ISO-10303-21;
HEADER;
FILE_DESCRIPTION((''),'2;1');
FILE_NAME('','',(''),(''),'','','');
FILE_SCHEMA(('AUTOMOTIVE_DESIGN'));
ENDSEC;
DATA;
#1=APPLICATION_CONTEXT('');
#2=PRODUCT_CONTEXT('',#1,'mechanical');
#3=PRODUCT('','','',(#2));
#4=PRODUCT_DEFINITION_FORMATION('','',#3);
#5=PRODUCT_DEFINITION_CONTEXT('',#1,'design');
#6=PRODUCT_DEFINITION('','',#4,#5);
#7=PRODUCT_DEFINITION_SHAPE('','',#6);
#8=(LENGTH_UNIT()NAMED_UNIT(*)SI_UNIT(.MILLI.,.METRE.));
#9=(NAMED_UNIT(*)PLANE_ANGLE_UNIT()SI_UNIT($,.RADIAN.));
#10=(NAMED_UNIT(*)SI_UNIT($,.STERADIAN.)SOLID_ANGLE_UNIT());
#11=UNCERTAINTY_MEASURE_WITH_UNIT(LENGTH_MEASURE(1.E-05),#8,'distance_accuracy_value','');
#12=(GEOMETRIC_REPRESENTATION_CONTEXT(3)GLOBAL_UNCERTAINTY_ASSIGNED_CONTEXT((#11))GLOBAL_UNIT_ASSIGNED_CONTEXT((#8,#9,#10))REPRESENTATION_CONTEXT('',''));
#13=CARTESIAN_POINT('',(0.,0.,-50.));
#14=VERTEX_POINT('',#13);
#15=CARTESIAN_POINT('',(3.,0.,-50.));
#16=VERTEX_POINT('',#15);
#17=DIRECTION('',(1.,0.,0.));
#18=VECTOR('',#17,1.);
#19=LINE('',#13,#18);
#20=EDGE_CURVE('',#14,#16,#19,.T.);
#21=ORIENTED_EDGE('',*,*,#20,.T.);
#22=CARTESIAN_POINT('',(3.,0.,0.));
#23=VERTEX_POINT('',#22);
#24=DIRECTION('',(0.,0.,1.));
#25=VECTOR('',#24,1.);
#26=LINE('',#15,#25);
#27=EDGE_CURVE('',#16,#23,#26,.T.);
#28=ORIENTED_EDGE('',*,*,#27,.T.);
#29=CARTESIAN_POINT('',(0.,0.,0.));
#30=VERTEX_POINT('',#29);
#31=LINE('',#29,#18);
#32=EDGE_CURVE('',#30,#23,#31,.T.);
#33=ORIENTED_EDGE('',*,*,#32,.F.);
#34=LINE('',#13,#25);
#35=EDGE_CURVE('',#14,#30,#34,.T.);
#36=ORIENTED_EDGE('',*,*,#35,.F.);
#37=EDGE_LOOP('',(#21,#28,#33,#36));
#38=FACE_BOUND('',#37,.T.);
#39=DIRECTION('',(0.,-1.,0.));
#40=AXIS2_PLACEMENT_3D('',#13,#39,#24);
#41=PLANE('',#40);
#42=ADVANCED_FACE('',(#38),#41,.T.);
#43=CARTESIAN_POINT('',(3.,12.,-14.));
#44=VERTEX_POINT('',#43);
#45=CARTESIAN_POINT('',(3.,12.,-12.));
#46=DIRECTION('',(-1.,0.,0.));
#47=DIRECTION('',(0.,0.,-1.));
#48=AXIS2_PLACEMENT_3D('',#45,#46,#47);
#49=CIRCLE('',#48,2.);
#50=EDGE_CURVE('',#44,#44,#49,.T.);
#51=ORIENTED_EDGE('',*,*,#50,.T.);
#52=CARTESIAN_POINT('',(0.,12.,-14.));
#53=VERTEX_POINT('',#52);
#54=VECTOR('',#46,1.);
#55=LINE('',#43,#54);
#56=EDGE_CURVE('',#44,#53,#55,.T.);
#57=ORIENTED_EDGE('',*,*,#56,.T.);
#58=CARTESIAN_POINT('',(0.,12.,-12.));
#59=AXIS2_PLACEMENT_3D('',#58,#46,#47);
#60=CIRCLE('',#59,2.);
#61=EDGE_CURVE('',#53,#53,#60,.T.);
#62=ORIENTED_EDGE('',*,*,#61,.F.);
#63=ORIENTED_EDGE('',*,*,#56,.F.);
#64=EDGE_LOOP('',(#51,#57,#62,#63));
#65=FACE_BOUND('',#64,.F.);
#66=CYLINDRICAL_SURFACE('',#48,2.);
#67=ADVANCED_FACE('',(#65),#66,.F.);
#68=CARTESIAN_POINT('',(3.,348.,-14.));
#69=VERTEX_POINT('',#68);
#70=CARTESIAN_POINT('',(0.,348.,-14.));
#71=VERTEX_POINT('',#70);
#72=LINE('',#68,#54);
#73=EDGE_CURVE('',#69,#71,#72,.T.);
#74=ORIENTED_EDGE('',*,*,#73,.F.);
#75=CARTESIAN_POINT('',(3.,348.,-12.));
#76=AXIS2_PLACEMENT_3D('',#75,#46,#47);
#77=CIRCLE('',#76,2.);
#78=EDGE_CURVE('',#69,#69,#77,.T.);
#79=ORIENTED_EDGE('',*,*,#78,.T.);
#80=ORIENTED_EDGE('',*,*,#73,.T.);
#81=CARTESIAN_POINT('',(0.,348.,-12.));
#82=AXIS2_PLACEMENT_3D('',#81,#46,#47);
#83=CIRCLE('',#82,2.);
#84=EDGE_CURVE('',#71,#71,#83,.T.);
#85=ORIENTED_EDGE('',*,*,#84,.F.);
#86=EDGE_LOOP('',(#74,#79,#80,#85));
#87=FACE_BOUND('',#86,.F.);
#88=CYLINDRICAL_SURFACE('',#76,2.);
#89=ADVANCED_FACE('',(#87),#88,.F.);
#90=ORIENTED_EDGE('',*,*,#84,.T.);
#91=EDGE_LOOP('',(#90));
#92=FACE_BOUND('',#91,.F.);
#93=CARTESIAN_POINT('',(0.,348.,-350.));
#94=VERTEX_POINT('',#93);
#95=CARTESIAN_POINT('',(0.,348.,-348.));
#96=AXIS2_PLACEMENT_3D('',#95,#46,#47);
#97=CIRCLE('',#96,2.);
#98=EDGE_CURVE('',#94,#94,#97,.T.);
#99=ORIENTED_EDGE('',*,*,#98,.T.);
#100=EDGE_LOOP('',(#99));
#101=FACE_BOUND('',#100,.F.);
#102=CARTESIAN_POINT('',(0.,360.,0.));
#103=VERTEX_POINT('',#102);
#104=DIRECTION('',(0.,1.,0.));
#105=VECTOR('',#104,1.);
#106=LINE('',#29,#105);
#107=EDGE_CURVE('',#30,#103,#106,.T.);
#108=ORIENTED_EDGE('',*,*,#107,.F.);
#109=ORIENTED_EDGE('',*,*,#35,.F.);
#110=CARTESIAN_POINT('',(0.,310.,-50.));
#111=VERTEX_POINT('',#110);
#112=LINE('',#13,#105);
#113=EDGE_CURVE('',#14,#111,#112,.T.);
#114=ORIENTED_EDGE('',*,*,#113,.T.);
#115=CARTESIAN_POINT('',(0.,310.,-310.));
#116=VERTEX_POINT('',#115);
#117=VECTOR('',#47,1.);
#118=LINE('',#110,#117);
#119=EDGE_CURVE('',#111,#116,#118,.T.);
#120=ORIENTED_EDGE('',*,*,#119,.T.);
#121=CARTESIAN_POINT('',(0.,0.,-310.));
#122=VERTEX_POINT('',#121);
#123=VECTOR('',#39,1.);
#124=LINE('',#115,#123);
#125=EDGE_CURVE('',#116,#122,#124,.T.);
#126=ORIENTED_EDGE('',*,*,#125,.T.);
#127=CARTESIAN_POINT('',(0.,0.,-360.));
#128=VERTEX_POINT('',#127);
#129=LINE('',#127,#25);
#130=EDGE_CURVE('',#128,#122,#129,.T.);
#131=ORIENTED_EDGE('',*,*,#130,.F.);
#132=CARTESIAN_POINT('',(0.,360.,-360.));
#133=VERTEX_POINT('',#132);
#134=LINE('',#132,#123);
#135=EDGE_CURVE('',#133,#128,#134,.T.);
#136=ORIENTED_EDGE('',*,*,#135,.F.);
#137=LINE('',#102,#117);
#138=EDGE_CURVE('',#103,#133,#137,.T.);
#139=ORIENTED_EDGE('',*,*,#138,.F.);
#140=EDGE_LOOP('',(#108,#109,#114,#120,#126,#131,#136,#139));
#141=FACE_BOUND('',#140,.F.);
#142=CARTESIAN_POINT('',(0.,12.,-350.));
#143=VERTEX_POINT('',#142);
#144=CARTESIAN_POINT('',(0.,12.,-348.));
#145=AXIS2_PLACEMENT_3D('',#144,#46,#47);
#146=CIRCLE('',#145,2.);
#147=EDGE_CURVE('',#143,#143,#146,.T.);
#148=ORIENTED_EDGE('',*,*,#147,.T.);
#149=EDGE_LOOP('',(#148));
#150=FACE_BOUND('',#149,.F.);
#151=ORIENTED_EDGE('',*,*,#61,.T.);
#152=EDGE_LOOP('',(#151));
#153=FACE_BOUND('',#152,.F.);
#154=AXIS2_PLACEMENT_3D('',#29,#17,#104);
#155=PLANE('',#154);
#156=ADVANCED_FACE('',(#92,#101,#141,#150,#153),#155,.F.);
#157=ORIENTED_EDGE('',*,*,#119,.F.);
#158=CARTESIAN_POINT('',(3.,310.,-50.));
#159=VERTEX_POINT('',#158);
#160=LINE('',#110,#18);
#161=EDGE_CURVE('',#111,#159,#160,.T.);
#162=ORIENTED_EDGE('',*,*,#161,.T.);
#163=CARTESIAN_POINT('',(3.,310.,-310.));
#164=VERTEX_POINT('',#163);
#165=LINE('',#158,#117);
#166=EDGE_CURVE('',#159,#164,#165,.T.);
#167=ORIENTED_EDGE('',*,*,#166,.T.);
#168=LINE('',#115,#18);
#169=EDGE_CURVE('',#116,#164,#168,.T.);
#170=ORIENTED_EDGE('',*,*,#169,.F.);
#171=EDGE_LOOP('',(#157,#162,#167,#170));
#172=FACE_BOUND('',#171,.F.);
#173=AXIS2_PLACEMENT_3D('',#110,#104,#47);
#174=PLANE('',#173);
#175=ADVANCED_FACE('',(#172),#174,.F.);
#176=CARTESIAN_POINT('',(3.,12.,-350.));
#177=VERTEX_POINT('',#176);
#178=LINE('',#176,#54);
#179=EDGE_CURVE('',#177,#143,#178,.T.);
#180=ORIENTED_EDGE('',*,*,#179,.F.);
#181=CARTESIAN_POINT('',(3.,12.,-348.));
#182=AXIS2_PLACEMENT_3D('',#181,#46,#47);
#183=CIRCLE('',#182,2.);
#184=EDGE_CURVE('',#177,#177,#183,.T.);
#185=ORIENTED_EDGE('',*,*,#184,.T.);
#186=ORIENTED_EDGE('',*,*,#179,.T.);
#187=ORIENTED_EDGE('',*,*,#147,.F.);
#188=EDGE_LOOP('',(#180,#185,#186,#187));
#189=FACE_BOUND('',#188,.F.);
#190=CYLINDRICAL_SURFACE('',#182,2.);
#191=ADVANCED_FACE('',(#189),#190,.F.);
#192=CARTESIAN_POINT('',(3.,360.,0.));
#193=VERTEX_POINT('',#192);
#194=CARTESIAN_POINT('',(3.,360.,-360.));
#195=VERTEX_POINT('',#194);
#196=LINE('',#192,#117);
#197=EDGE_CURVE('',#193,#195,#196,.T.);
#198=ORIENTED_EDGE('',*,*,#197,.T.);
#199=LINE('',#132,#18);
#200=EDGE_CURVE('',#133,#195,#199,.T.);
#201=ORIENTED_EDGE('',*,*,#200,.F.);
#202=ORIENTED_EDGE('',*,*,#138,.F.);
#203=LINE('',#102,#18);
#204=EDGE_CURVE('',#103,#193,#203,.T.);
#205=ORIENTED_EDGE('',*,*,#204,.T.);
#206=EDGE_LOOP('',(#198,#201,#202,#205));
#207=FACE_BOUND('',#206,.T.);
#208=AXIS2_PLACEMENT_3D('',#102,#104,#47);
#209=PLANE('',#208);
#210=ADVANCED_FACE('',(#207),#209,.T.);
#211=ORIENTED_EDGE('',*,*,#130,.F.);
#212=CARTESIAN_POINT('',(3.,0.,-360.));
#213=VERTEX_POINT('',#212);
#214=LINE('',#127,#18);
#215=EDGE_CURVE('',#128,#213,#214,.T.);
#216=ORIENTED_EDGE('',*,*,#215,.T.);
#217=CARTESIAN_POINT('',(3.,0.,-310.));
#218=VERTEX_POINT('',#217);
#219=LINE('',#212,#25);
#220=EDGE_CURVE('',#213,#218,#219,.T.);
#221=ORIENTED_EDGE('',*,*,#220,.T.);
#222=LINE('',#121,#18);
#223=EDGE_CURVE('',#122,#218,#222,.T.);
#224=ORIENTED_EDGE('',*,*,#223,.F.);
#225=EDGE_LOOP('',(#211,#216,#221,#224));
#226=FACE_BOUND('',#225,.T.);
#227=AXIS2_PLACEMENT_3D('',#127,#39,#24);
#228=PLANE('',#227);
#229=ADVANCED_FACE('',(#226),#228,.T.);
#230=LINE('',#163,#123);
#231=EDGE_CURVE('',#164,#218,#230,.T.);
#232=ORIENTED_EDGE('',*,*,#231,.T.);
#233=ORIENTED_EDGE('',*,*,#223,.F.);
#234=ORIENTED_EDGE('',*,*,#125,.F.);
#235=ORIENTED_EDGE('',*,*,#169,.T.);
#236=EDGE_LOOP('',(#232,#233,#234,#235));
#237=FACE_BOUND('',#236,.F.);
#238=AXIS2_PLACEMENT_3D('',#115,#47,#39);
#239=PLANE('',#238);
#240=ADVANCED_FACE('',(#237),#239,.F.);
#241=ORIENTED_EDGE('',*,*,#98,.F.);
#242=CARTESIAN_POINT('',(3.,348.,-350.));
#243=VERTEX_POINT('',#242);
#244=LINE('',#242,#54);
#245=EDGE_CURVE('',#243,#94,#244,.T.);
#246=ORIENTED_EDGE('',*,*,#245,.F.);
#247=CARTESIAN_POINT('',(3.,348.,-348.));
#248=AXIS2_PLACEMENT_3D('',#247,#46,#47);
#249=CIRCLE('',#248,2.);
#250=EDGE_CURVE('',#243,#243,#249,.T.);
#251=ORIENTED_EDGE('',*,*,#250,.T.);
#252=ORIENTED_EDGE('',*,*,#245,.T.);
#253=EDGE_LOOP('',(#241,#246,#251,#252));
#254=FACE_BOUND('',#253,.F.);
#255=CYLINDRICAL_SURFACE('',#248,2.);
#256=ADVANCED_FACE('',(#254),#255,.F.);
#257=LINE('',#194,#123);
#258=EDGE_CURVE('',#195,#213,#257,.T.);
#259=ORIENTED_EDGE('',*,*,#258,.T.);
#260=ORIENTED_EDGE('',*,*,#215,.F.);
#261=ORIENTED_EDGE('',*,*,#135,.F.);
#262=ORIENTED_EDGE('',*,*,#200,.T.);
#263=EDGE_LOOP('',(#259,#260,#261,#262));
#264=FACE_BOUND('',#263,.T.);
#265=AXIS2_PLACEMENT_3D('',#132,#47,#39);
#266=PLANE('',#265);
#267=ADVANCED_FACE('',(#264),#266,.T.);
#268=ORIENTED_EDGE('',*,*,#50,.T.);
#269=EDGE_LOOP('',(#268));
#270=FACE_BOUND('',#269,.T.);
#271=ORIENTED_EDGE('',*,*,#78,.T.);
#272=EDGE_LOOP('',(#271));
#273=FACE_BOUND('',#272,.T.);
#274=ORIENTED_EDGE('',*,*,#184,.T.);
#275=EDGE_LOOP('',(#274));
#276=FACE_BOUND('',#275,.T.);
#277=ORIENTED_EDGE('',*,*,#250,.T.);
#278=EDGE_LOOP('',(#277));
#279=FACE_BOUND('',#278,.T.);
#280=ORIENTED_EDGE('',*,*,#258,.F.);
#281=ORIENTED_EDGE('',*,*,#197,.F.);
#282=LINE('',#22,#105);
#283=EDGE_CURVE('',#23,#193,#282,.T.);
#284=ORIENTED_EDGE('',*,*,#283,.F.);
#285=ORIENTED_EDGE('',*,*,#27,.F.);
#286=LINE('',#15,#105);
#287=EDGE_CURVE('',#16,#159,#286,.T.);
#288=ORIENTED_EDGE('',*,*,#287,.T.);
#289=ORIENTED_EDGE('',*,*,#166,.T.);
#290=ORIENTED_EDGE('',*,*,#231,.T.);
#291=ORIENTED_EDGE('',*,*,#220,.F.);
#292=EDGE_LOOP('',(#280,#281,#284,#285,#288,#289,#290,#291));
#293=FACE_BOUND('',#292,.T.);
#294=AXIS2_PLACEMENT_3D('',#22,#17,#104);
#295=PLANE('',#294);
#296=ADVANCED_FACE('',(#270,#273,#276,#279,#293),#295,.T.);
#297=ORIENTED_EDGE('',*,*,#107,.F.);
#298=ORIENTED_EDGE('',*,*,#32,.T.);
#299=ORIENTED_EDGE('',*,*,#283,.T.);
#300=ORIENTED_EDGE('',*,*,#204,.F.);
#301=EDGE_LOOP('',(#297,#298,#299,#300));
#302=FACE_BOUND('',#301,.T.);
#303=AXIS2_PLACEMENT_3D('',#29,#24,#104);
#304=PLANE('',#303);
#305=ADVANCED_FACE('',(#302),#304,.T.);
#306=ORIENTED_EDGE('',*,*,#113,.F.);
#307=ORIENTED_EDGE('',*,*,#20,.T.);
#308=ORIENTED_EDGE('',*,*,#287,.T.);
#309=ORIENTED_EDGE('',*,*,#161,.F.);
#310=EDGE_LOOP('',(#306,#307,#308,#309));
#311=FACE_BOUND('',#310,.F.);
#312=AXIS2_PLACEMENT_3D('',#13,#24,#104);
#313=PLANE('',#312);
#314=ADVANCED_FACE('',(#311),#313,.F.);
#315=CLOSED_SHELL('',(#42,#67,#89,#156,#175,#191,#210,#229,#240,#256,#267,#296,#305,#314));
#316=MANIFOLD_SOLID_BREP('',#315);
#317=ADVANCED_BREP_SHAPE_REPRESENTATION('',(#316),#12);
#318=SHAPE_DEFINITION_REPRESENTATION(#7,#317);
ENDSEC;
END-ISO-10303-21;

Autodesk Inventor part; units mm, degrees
ref_plane "YZ Plane" through (0, 0, 0) normal (1, 0, 0) x (0, 1, 0)
ref_plane "XZ Plane" through (0, 0, 0) normal (0, 1, 0) x (-1, 0, 0)
ref_plane "XY Plane" through (0, 0, 0) normal (0, 0, 1) x (1, 0, 0)
sketch "Sketch1" plane through (0, 0, 0) normal (1, 0, 0) x (0, 1, 0)
  line L0 (0, 0) -> (360, 0)
  line L1 (360, 0) -> (360, -360)
  line L2 (360, -360) -> (0, -360)
  line L3 (0, -360) -> (0, -310)
  line L4 (0, -50) -> (310, -50)
  line L5 (310, -50) -> (310, -310)
  line L6 (310, -310) -> (0, -310)
  line L7 (0, -310) -> (0, -50)
  line L8 (0, -50) -> (0, 0)
  line L9 (0, -310) -> (0, -50)
  dimension "d4" = 360
  dimension "d5" = 360
  dimension "d6" = 310
  dimension "d7" = 260
extrude "Extrusion1" add sketch "Sketch1" along normal blind 3 contours L0 L1 L2 L3 L6 L5 L4 L8
hole "Hole1" at (3, 348, -12) direction (-1, 0, 0) diameter 4 end through all
hole "Hole2" at (3, 348, -348) direction (-1, 0, 0) diameter 4 end through all
hole "Hole3" at (3, 12, -348) direction (-1, 0, 0) diameter 4 end through all
hole "Hole4" at (3, 12, -12) direction (-1, 0, 0) diameter 4 end through all
properties part number "FrameCentre" material "Dibond Yellow"
